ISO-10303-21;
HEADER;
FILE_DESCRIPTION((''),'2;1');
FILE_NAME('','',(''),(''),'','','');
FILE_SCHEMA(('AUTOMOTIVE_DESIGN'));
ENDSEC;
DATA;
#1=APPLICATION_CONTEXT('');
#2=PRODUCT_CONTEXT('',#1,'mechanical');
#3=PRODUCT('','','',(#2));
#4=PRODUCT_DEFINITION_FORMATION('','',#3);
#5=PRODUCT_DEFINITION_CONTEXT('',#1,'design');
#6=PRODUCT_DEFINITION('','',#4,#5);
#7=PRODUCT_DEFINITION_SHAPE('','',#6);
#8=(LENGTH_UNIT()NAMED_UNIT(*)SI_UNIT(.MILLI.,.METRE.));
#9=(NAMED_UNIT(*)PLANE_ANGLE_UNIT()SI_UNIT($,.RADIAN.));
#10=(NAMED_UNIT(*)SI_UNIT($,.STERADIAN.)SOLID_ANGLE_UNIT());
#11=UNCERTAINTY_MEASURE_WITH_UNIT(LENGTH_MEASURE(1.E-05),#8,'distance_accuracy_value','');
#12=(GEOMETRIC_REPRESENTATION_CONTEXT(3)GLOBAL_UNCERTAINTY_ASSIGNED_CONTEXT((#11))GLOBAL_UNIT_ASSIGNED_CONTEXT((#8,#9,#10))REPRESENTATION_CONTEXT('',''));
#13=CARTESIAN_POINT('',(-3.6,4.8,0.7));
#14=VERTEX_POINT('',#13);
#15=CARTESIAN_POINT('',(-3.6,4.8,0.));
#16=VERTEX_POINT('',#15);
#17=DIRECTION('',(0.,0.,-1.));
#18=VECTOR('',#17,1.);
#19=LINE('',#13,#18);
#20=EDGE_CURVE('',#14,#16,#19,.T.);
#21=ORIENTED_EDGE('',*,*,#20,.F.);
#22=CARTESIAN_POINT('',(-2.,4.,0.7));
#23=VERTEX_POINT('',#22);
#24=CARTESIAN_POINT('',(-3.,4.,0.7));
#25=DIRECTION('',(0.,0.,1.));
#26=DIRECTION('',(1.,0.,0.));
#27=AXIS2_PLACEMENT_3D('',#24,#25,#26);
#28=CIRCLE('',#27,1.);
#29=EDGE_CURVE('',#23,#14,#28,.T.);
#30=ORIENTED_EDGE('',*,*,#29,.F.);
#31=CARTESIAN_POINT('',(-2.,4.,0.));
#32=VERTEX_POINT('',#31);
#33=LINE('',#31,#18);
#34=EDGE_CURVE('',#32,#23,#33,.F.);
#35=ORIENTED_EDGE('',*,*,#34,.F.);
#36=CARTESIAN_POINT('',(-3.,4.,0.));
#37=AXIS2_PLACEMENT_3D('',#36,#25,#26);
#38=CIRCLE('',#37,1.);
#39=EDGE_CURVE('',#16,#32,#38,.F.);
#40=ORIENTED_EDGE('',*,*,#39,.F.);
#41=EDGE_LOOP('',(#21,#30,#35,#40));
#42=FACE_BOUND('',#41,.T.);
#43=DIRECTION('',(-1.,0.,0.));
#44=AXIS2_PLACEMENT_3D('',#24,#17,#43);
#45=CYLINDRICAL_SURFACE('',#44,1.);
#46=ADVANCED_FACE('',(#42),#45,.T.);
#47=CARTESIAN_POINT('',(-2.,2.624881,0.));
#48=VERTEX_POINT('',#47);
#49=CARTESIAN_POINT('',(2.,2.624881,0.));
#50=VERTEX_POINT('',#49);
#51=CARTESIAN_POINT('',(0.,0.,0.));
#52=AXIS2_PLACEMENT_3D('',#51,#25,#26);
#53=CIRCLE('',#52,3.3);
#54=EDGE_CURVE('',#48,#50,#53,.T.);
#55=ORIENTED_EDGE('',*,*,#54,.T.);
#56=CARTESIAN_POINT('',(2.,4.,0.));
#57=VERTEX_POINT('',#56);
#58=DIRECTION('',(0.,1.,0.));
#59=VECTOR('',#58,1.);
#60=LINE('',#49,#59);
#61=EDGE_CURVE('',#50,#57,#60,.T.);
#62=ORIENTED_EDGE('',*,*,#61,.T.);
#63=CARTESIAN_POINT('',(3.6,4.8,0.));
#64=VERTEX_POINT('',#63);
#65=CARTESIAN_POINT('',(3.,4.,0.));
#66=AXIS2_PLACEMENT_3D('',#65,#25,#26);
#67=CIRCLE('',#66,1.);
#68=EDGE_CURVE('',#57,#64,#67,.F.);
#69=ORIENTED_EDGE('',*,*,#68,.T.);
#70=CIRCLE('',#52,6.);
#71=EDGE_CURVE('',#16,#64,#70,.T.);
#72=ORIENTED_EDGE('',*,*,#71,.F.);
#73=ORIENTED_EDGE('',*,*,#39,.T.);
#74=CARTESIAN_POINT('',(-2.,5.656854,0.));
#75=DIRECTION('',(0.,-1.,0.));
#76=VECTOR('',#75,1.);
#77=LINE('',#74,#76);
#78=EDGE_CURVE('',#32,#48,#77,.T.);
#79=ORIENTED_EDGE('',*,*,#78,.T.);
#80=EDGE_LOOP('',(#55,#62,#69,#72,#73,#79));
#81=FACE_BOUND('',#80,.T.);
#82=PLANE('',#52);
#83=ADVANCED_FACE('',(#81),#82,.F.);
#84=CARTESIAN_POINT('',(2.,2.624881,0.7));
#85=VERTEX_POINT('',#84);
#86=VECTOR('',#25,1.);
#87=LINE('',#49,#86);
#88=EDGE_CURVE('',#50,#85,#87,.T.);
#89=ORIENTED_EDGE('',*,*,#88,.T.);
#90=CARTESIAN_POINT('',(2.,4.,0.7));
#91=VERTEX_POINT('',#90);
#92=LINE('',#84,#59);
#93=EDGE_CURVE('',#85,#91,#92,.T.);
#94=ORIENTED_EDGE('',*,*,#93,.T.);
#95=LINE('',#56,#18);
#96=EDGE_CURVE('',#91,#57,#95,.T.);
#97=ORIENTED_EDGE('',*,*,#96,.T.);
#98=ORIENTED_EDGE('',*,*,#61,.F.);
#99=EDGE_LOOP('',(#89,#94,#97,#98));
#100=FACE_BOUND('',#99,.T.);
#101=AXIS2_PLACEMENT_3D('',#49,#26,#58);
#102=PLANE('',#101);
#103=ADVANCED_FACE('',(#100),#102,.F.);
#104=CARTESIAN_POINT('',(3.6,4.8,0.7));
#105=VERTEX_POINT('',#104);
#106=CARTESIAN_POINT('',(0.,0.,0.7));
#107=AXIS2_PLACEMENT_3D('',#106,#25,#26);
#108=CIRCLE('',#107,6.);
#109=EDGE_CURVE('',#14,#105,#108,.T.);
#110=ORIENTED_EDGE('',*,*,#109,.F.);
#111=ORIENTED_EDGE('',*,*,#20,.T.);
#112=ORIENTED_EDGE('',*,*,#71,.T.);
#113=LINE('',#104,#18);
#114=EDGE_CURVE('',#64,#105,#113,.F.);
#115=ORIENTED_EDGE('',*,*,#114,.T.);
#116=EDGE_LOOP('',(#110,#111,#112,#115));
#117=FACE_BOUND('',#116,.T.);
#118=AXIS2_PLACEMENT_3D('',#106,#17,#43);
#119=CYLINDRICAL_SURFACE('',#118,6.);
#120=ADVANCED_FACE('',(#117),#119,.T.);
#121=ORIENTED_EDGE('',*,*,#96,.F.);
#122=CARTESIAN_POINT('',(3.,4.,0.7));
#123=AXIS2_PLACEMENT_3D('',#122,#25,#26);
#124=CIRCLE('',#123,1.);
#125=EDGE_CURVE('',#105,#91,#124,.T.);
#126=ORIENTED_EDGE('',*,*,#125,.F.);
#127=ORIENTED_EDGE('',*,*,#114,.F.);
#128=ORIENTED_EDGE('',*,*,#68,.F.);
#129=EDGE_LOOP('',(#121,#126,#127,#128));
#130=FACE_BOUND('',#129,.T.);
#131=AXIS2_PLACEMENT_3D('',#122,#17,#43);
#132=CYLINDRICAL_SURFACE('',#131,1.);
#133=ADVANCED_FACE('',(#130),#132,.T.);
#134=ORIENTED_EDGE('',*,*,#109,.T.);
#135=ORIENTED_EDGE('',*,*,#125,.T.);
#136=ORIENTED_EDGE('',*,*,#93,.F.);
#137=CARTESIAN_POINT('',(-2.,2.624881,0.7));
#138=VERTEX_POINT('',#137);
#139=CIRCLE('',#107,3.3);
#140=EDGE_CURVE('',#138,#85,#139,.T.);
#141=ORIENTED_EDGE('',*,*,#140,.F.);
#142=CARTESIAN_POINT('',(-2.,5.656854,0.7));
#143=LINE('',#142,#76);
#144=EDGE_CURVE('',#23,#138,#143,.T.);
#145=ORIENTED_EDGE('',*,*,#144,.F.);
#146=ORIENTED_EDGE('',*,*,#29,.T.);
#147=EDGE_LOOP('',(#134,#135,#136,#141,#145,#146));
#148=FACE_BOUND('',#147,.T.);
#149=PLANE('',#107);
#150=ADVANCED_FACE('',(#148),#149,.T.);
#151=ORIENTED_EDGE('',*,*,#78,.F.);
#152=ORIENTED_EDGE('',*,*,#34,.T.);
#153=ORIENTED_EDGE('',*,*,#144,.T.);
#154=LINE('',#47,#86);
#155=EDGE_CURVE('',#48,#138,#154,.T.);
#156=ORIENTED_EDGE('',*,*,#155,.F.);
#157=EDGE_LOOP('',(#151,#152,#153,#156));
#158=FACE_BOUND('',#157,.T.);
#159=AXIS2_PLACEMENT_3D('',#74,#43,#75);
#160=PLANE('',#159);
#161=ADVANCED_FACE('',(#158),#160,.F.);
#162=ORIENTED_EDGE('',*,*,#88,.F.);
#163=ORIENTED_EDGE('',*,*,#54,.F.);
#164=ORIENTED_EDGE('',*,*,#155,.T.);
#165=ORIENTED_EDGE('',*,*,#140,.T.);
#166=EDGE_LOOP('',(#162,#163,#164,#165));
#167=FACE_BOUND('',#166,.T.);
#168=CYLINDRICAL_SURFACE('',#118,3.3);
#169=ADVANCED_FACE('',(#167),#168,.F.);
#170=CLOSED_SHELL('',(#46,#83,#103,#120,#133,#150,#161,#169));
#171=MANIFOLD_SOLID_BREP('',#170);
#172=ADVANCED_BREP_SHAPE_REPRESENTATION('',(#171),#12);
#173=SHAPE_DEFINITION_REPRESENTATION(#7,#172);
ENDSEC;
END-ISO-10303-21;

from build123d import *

# Parameters (mm, degrees)
SKETCH1_R           = 6
SKETCH1_R_2         = 3.3
BOSS_EXTRUDE1_DEPTH = 0.7
CUT_EXTRUDE1_DEPTH  = 0.7
FILLET1_R           = 1


with BuildPart() as part:
    # Sketch1 → Boss-Extrude1 (new body)
    with BuildSketch(Plane.XY):
        Circle(SKETCH1_R)
        Circle(SKETCH1_R_2, mode=Mode.SUBTRACT)
    extrude(amount=BOSS_EXTRUDE1_DEPTH)

    # Sketch2 → Cut-Extrude1 (cut)
    with BuildSketch(Plane.XY.offset(0.7)):
        with BuildLine():
            Line((-2, 5.656854249), (-2, 2.62488095))
            Line((-2, 2.62488095), (2, 2.62488095))
            Line((2, 2.62488095), (2, 5.656854249))
            ThreePointArc((2, 5.656854249), (0, 7.656854249), (-2, 5.656854249))
        make_face()
    extrude(amount=-CUT_EXTRUDE1_DEPTH, mode=Mode.SUBTRACT)

    # Fillet1
    fillet1_edges = [part.edges().sort_by_distance(p)[0] for p in [
        (-2, 5.656854249, 0.35),
        (2, 5.656854249, 0.35),
    ]]
    fillet(fillet1_edges, radius=FILLET1_R)


solid = part.part
